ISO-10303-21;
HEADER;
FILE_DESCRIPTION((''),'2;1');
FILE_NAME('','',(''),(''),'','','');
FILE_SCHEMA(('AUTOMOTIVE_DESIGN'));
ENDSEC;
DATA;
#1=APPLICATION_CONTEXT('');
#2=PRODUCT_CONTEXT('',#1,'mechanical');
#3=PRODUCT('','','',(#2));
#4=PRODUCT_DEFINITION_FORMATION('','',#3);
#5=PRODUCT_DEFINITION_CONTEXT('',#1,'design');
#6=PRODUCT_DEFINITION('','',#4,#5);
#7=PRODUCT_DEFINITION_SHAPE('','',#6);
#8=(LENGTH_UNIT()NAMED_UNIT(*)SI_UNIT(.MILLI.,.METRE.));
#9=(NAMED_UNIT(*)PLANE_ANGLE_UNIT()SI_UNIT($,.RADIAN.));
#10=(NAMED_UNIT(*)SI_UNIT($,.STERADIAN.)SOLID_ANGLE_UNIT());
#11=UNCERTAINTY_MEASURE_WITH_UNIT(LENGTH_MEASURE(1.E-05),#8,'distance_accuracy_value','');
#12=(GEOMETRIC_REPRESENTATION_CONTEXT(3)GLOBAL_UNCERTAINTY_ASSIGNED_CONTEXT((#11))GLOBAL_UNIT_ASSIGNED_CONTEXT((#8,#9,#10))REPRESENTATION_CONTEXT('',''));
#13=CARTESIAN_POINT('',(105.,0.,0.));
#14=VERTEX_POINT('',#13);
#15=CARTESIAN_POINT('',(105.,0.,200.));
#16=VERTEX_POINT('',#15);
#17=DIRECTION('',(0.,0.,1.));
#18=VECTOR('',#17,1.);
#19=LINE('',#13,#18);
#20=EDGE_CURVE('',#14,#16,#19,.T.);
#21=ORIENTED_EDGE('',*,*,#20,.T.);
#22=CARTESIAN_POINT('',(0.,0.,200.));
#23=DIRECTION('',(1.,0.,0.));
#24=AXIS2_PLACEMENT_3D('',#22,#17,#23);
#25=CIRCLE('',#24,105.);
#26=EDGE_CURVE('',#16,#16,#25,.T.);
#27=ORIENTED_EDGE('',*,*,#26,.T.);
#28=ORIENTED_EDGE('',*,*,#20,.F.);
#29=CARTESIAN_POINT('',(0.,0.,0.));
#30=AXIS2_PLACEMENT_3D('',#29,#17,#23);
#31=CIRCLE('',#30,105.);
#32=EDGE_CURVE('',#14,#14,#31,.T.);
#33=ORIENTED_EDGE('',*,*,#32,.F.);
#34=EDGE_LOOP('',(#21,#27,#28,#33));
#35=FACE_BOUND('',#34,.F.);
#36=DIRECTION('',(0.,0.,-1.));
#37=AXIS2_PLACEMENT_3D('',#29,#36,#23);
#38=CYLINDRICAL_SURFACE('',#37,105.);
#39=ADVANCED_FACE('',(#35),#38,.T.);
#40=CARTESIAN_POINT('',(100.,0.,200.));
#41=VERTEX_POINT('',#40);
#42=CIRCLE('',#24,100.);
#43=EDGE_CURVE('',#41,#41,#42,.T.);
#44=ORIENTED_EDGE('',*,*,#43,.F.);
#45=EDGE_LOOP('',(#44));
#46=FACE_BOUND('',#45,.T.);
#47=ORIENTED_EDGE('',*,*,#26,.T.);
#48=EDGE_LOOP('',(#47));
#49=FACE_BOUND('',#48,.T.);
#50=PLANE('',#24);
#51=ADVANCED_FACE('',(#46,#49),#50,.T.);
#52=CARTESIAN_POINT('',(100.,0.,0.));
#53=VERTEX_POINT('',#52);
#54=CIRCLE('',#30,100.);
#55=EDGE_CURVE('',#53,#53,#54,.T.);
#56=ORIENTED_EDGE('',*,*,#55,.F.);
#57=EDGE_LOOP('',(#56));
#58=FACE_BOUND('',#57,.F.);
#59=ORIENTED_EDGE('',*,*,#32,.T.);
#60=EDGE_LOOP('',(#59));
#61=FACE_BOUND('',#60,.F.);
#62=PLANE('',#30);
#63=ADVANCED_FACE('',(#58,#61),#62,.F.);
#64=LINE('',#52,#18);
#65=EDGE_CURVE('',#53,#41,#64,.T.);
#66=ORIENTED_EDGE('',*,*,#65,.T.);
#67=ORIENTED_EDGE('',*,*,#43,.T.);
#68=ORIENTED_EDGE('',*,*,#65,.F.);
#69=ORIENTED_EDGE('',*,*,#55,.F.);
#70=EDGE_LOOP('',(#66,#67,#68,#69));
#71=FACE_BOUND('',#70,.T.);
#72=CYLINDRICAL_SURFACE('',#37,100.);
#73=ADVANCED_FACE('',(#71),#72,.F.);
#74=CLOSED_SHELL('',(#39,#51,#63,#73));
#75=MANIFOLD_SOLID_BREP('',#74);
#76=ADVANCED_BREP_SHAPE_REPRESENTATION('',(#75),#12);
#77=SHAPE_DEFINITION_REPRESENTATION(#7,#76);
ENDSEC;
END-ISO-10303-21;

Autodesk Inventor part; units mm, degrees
ref_plane "YZ Plane" through (0, 0, 0) normal (1, 0, 0) x (0, 1, 0)
ref_plane "XZ Plane" through (0, 0, 0) normal (0, 1, 0) x (-1, 0, 0)
ref_plane "XY Plane" through (0, 0, 0) normal (0, 0, 1) x (1, 0, 0)
sketch "Skizze1" plane through (0, 0, 0) normal (0, 0, 1) x (1, 0, 0)
  circle A0 centre (0, 0) radius 100
  circle A1 centre (0, 0) radius 105
  dimension "d0" = 200
  dimension "d1" = 210
extrude "Extrusion1" add sketch "Skizze1" along normal blind 200
properties part number "Rohr_2"
